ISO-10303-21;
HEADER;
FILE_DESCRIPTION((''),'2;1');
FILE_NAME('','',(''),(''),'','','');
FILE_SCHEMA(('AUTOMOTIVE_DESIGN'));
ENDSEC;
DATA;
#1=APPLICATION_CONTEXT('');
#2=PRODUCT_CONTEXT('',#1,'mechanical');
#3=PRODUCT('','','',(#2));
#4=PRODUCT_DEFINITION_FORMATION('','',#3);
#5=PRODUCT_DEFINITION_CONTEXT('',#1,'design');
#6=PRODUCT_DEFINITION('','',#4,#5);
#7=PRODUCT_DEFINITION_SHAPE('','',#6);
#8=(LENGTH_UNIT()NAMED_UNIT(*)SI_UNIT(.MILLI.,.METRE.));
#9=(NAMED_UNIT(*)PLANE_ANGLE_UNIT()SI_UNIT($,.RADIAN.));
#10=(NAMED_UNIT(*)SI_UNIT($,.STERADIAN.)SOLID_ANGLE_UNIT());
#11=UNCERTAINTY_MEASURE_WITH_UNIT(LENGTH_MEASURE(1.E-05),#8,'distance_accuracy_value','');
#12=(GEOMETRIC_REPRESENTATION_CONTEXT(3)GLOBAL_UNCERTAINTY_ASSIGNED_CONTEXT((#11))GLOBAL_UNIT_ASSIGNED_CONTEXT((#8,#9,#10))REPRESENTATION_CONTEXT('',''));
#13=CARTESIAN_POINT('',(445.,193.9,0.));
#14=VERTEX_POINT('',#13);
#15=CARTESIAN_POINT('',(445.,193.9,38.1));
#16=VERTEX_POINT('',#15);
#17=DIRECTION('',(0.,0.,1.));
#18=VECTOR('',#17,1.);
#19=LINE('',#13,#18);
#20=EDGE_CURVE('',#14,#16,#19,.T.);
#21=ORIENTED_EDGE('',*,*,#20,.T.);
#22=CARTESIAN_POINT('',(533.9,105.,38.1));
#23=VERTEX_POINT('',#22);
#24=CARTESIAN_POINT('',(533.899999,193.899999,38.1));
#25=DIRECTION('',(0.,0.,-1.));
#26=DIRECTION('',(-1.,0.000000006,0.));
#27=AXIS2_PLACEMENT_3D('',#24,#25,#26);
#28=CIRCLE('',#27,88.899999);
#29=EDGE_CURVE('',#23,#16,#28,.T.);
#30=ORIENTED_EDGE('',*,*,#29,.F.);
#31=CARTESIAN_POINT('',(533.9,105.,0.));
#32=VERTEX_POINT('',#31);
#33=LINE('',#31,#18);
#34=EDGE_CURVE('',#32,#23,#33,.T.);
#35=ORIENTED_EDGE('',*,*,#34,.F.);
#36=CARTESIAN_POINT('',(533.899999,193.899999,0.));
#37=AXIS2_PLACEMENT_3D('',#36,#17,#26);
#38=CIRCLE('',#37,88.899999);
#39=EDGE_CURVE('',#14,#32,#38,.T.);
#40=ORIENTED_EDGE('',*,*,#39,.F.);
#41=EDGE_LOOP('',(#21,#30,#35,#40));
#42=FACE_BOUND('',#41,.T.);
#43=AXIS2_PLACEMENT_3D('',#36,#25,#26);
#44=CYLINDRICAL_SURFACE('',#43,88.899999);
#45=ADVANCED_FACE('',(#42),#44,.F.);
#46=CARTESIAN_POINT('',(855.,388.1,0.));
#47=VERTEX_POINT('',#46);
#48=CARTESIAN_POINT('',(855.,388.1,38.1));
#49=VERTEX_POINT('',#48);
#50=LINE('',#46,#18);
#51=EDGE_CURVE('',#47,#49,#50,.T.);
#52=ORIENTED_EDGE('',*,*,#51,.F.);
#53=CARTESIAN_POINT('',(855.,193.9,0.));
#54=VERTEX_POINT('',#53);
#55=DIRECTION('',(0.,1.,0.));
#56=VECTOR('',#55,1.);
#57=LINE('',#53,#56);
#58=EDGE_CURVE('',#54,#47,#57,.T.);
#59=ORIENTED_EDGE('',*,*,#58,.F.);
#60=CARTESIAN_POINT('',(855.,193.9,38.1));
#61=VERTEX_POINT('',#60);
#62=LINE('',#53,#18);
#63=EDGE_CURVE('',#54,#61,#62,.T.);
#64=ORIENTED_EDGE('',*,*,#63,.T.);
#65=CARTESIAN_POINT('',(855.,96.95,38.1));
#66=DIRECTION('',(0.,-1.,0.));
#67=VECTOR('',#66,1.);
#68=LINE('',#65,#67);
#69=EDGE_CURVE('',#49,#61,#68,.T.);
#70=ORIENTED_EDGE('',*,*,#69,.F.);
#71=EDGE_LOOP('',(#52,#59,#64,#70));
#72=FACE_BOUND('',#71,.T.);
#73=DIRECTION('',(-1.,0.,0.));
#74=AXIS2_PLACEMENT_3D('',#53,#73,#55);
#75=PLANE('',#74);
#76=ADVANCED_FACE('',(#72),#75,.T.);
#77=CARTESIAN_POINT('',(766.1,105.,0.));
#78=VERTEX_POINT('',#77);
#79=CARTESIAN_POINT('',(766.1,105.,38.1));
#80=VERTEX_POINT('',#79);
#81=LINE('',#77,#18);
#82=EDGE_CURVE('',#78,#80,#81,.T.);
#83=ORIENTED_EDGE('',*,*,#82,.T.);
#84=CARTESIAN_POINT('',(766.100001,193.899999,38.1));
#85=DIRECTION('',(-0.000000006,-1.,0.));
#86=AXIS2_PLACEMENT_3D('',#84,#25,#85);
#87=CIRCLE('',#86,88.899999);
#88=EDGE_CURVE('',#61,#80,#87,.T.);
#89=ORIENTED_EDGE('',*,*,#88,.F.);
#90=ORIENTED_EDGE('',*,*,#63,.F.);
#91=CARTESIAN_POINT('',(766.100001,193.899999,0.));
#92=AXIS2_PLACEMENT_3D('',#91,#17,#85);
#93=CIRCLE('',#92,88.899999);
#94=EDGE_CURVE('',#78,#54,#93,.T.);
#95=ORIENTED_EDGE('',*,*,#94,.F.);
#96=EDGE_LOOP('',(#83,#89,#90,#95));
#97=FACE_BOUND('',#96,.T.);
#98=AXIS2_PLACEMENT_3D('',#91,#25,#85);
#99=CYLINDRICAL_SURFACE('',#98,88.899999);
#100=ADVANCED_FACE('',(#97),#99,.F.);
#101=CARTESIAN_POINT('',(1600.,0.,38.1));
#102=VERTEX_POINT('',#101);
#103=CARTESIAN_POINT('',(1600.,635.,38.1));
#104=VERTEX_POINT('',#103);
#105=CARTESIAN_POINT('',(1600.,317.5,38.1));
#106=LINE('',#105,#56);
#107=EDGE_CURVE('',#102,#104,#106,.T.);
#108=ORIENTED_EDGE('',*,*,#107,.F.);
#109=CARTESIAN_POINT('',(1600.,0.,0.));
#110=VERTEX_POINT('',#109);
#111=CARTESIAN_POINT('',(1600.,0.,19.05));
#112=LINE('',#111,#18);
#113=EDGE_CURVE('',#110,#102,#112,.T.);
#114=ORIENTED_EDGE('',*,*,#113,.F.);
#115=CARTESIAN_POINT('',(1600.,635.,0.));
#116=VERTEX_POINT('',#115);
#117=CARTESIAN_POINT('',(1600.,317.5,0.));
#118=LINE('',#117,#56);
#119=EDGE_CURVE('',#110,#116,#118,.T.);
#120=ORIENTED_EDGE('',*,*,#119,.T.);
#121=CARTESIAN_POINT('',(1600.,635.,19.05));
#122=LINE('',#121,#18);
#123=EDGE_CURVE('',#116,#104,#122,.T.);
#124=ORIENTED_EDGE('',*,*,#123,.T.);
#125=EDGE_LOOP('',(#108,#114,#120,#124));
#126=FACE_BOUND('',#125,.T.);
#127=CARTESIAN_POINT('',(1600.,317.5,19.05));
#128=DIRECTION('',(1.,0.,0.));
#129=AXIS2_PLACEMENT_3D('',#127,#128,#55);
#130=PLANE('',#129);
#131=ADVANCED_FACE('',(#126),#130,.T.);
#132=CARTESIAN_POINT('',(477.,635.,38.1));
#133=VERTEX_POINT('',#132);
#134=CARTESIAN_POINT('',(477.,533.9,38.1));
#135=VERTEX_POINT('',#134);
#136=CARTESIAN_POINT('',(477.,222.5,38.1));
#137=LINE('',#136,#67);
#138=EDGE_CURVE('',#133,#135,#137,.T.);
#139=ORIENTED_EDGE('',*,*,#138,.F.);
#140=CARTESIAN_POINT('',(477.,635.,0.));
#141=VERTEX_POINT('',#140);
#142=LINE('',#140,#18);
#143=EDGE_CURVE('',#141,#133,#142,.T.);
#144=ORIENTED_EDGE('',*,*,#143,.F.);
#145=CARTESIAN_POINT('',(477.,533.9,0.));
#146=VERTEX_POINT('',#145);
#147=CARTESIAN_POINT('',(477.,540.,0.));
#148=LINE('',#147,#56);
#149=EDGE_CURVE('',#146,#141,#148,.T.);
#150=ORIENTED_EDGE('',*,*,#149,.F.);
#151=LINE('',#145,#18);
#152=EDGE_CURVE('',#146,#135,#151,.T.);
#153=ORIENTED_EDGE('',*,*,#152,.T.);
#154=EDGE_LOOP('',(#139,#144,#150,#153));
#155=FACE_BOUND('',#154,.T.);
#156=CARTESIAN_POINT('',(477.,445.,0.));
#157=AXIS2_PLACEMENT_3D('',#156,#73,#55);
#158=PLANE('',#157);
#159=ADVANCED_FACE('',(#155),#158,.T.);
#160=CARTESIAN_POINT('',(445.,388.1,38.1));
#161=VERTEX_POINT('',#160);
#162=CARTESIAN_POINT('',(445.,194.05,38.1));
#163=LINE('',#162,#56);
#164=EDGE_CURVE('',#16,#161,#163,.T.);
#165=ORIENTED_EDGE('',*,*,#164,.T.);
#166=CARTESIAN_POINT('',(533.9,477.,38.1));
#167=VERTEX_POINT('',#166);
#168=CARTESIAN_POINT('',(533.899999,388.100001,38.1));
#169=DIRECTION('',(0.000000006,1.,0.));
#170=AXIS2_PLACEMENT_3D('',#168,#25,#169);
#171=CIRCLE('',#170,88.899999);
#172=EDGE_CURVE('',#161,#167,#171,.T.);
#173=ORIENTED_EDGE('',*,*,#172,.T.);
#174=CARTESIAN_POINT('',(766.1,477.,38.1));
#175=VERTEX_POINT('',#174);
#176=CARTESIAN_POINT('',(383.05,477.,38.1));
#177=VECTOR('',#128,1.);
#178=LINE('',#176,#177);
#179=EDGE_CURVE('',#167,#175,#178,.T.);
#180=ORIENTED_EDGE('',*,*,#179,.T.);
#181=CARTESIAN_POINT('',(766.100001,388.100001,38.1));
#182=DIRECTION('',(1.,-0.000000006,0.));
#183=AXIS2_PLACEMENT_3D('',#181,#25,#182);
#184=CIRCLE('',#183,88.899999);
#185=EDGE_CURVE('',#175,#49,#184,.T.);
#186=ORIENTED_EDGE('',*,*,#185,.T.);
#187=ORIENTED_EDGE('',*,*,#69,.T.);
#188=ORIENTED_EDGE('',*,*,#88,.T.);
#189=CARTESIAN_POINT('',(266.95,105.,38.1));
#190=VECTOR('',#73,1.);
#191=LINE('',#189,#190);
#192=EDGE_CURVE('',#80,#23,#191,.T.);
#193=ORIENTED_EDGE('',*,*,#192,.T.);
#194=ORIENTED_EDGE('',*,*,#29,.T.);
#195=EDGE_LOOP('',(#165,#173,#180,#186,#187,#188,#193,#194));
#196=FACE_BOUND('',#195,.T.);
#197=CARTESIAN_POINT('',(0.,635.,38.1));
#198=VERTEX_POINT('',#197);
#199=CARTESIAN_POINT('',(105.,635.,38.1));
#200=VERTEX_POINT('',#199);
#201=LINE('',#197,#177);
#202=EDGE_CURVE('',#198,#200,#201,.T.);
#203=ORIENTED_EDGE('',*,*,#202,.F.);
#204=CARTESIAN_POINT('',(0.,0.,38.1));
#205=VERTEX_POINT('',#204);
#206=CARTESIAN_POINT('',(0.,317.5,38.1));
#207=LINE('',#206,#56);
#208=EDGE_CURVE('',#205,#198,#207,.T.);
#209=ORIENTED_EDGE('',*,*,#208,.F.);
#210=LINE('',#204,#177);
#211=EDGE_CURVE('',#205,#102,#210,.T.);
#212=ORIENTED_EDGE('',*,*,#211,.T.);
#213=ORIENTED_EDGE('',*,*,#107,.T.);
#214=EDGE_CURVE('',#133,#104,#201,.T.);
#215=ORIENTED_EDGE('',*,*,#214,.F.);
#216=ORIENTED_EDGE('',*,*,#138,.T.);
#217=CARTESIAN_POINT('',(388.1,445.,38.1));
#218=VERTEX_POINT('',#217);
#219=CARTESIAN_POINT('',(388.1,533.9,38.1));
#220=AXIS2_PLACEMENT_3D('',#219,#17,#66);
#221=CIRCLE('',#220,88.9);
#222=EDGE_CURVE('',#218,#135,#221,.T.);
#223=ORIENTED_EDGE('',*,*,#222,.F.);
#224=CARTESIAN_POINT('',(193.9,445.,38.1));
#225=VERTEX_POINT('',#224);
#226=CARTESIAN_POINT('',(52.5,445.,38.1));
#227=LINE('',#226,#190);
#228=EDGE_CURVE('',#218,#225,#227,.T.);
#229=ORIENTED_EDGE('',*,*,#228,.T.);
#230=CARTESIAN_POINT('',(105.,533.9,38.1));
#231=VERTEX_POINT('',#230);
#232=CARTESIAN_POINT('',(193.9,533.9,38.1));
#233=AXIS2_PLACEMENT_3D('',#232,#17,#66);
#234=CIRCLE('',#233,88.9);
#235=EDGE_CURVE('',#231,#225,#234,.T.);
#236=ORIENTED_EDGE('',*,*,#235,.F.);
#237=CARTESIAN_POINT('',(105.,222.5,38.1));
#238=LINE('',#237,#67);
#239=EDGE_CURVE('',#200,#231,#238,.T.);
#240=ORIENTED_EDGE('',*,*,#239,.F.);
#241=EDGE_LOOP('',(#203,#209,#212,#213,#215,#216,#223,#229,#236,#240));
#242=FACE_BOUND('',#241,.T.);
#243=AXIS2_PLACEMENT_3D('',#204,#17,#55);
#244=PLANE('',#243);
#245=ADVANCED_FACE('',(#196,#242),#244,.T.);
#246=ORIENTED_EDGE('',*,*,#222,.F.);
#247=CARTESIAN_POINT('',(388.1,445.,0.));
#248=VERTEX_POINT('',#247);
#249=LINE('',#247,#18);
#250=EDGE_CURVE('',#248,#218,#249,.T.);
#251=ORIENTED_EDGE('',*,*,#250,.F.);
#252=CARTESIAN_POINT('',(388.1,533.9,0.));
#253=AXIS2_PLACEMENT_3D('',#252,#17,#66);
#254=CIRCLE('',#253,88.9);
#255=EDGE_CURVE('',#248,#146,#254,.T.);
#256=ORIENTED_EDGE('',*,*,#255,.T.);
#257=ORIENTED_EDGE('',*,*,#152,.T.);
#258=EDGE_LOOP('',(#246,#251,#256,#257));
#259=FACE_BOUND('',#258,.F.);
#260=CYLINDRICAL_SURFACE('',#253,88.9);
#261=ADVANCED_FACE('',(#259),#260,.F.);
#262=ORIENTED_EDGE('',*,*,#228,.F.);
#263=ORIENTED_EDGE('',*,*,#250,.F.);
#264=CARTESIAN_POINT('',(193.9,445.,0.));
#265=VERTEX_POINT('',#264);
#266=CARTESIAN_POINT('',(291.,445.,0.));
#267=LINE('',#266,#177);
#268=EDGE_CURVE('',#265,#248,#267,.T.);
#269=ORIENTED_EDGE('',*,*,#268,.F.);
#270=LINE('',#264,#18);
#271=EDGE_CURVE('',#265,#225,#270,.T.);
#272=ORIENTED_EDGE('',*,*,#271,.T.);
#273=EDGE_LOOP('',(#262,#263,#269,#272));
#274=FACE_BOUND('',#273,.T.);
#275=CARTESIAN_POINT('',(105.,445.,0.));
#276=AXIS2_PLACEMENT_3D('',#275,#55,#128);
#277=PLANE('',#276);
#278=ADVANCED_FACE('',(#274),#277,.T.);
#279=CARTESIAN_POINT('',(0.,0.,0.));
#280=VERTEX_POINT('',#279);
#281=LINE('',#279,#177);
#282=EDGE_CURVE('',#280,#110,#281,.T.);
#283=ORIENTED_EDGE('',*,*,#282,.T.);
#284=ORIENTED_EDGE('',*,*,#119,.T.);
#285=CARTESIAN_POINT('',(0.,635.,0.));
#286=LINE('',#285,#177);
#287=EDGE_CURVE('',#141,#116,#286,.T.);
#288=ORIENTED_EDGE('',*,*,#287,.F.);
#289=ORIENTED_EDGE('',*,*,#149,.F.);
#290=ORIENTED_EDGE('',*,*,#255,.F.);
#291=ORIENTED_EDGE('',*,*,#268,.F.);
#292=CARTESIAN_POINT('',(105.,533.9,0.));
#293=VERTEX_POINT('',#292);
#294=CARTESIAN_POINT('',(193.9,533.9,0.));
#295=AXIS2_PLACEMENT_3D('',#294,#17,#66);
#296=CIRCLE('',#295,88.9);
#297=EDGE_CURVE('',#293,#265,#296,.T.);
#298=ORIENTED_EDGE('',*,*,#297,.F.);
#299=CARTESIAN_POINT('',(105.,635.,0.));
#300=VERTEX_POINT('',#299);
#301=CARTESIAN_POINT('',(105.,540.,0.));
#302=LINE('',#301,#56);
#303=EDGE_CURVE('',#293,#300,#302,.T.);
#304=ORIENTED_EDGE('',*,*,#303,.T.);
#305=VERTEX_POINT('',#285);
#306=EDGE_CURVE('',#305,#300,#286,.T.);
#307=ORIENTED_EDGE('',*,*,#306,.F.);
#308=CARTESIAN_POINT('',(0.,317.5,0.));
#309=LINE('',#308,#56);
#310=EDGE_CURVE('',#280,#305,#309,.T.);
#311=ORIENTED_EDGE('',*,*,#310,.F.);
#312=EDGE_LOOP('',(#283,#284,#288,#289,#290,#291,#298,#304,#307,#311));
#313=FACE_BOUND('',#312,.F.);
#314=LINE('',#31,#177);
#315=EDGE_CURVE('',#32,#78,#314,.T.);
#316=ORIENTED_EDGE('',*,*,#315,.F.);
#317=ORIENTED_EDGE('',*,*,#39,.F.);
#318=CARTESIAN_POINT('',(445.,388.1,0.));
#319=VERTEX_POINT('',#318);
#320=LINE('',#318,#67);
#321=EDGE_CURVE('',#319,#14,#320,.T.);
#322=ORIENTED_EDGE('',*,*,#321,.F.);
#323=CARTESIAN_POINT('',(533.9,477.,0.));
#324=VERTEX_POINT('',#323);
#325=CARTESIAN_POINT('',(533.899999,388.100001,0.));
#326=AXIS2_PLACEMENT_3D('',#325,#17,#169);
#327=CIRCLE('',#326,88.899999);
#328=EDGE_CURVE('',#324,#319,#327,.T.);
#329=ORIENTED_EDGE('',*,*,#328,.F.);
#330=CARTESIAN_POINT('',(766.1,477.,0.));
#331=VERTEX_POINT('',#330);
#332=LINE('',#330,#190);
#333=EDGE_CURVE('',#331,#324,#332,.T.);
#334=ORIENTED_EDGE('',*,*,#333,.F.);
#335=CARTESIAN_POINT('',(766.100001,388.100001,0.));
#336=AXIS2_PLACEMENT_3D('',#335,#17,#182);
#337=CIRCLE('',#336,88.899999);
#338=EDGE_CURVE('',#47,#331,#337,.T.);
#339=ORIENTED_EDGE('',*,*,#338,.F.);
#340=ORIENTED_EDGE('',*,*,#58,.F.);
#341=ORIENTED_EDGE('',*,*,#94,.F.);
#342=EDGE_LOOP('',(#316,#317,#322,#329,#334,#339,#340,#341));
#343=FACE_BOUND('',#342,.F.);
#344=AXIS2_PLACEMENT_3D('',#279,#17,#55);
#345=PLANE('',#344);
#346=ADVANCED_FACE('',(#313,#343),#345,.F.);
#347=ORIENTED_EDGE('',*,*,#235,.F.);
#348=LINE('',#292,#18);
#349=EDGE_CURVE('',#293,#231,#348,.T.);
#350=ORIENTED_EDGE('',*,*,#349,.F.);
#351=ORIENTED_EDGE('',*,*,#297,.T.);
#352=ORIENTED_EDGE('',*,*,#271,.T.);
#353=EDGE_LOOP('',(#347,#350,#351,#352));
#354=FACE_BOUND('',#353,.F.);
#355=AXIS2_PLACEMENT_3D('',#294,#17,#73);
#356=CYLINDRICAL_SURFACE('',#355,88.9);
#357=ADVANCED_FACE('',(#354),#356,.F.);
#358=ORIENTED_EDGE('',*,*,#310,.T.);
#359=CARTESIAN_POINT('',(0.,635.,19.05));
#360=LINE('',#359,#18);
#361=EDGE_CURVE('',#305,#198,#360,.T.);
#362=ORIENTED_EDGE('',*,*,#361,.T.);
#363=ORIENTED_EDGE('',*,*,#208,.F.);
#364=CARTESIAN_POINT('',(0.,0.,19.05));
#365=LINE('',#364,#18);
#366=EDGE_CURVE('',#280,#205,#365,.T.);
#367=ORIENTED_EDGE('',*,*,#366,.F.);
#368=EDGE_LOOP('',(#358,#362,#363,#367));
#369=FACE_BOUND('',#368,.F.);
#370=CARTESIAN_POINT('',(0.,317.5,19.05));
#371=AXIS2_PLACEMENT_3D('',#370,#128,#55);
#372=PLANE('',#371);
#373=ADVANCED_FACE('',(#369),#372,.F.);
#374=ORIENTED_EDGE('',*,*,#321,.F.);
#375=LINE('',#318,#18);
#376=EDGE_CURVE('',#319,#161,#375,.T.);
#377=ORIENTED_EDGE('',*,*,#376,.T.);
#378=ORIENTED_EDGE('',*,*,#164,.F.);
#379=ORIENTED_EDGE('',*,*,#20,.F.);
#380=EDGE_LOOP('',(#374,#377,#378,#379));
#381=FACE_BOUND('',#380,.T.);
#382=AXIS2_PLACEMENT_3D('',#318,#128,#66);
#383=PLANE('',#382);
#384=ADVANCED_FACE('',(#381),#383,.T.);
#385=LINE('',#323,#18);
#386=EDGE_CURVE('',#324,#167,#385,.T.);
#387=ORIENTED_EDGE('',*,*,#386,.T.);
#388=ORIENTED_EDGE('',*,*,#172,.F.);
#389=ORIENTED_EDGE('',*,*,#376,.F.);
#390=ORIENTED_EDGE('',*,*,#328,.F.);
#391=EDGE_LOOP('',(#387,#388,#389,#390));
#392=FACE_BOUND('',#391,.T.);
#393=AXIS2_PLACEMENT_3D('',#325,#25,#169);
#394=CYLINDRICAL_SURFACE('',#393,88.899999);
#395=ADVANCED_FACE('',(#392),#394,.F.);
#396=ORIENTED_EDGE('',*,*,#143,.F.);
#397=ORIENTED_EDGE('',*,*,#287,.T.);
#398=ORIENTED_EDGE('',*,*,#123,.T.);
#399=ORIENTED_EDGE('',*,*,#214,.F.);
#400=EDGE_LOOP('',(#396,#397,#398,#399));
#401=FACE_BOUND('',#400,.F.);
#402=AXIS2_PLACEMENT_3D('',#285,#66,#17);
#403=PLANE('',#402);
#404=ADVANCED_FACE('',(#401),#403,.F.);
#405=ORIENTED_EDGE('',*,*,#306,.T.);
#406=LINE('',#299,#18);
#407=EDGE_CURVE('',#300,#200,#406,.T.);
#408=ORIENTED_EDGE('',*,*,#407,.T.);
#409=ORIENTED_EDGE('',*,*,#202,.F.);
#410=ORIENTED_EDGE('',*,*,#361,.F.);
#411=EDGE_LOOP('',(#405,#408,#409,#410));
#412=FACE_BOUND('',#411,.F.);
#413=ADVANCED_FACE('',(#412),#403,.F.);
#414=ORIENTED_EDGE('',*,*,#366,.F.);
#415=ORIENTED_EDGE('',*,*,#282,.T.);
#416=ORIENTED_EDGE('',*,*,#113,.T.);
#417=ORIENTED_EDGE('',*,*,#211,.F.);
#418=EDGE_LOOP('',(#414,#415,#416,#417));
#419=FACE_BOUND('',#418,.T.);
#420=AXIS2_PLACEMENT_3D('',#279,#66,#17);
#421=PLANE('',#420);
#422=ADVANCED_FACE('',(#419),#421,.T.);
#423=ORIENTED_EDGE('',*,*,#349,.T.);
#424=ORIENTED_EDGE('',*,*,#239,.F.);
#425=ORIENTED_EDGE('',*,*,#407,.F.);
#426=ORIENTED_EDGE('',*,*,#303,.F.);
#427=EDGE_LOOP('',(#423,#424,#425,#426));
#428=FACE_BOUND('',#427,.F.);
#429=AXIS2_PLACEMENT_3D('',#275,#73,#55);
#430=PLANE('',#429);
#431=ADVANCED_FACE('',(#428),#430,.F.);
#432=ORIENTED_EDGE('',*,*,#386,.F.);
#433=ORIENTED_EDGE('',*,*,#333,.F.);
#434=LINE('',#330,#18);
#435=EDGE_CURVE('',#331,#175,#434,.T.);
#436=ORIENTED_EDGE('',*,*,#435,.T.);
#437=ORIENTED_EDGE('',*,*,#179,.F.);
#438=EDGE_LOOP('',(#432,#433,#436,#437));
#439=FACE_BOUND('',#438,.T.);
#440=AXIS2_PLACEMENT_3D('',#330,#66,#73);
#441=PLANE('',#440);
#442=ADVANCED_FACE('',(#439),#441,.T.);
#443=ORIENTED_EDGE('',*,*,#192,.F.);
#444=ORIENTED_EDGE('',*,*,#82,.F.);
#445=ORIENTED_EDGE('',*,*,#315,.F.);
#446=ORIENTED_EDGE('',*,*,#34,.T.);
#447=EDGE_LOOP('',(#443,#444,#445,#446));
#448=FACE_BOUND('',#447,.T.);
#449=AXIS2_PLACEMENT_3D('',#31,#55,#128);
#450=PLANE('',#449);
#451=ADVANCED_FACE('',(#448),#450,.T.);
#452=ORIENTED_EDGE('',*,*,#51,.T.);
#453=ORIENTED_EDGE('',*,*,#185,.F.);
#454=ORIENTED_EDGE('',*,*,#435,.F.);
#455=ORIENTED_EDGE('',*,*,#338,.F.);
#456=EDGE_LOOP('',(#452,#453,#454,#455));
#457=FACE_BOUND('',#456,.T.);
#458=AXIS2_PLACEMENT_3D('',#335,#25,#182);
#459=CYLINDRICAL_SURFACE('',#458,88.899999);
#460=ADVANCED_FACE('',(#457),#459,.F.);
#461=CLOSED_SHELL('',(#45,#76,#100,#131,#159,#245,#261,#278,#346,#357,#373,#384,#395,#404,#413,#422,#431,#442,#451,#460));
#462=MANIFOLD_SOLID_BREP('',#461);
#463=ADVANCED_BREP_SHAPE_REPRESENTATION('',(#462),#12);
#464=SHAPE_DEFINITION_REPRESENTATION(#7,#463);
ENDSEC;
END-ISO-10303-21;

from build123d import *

# Parameters (mm, degrees)
F0_W     = 635
F0_H     = 38.1
F1_DEPTH = 1600
F2_W     = 372
F2_H     = 190
F3_DEPTH = 38.101
F4_R     = 88.9
F6_DEPTH = 38.101


with BuildPart() as f1:
    # F0 (on Right) → F1 (new body)
    with BuildSketch(Plane.YZ):
        with Locations((317.5, 19.05)):
            Rectangle(F0_W, F0_H)
    extrude(amount=F1_DEPTH)

    # F2 (on Top) → F3 (cut, through all)
    with BuildSketch(Plane.XY):
        with Locations((291, 540)):
            Rectangle(F2_W, F2_H)
    extrude(amount=F3_DEPTH, mode=Mode.SUBTRACT)

    # F4
    f4_edges = [f1.edges().sort_by_distance(p)[0] for p in [
        (477, 445, 19.05),
        (105, 445, 19.05),
    ]]
    fillet(f4_edges, radius=F4_R)

    # F5 (on Top) → F6 (cut, through all)
    with BuildSketch(Plane.XY):
        with BuildLine():
            Line((533.9, 105), (766.1, 105))
            ThreePointArc((766.1, 105), (828.961793, 131.038207), (855, 193.9))
            Line((855, 193.9), (855, 388.1))
            ThreePointArc((855, 388.1), (828.961793, 450.961793), (766.1, 477))
            Line((766.1, 477), (533.9, 477))
            ThreePointArc((533.9, 477), (471.038207, 450.961793), (445, 388.1))
            Line((445, 388.1), (445, 193.9))
            ThreePointArc((445, 193.9), (471.038207, 131.038207), (533.9, 105))
        make_face()
    extrude(amount=F6_DEPTH, mode=Mode.SUBTRACT)


solid = f1.part
